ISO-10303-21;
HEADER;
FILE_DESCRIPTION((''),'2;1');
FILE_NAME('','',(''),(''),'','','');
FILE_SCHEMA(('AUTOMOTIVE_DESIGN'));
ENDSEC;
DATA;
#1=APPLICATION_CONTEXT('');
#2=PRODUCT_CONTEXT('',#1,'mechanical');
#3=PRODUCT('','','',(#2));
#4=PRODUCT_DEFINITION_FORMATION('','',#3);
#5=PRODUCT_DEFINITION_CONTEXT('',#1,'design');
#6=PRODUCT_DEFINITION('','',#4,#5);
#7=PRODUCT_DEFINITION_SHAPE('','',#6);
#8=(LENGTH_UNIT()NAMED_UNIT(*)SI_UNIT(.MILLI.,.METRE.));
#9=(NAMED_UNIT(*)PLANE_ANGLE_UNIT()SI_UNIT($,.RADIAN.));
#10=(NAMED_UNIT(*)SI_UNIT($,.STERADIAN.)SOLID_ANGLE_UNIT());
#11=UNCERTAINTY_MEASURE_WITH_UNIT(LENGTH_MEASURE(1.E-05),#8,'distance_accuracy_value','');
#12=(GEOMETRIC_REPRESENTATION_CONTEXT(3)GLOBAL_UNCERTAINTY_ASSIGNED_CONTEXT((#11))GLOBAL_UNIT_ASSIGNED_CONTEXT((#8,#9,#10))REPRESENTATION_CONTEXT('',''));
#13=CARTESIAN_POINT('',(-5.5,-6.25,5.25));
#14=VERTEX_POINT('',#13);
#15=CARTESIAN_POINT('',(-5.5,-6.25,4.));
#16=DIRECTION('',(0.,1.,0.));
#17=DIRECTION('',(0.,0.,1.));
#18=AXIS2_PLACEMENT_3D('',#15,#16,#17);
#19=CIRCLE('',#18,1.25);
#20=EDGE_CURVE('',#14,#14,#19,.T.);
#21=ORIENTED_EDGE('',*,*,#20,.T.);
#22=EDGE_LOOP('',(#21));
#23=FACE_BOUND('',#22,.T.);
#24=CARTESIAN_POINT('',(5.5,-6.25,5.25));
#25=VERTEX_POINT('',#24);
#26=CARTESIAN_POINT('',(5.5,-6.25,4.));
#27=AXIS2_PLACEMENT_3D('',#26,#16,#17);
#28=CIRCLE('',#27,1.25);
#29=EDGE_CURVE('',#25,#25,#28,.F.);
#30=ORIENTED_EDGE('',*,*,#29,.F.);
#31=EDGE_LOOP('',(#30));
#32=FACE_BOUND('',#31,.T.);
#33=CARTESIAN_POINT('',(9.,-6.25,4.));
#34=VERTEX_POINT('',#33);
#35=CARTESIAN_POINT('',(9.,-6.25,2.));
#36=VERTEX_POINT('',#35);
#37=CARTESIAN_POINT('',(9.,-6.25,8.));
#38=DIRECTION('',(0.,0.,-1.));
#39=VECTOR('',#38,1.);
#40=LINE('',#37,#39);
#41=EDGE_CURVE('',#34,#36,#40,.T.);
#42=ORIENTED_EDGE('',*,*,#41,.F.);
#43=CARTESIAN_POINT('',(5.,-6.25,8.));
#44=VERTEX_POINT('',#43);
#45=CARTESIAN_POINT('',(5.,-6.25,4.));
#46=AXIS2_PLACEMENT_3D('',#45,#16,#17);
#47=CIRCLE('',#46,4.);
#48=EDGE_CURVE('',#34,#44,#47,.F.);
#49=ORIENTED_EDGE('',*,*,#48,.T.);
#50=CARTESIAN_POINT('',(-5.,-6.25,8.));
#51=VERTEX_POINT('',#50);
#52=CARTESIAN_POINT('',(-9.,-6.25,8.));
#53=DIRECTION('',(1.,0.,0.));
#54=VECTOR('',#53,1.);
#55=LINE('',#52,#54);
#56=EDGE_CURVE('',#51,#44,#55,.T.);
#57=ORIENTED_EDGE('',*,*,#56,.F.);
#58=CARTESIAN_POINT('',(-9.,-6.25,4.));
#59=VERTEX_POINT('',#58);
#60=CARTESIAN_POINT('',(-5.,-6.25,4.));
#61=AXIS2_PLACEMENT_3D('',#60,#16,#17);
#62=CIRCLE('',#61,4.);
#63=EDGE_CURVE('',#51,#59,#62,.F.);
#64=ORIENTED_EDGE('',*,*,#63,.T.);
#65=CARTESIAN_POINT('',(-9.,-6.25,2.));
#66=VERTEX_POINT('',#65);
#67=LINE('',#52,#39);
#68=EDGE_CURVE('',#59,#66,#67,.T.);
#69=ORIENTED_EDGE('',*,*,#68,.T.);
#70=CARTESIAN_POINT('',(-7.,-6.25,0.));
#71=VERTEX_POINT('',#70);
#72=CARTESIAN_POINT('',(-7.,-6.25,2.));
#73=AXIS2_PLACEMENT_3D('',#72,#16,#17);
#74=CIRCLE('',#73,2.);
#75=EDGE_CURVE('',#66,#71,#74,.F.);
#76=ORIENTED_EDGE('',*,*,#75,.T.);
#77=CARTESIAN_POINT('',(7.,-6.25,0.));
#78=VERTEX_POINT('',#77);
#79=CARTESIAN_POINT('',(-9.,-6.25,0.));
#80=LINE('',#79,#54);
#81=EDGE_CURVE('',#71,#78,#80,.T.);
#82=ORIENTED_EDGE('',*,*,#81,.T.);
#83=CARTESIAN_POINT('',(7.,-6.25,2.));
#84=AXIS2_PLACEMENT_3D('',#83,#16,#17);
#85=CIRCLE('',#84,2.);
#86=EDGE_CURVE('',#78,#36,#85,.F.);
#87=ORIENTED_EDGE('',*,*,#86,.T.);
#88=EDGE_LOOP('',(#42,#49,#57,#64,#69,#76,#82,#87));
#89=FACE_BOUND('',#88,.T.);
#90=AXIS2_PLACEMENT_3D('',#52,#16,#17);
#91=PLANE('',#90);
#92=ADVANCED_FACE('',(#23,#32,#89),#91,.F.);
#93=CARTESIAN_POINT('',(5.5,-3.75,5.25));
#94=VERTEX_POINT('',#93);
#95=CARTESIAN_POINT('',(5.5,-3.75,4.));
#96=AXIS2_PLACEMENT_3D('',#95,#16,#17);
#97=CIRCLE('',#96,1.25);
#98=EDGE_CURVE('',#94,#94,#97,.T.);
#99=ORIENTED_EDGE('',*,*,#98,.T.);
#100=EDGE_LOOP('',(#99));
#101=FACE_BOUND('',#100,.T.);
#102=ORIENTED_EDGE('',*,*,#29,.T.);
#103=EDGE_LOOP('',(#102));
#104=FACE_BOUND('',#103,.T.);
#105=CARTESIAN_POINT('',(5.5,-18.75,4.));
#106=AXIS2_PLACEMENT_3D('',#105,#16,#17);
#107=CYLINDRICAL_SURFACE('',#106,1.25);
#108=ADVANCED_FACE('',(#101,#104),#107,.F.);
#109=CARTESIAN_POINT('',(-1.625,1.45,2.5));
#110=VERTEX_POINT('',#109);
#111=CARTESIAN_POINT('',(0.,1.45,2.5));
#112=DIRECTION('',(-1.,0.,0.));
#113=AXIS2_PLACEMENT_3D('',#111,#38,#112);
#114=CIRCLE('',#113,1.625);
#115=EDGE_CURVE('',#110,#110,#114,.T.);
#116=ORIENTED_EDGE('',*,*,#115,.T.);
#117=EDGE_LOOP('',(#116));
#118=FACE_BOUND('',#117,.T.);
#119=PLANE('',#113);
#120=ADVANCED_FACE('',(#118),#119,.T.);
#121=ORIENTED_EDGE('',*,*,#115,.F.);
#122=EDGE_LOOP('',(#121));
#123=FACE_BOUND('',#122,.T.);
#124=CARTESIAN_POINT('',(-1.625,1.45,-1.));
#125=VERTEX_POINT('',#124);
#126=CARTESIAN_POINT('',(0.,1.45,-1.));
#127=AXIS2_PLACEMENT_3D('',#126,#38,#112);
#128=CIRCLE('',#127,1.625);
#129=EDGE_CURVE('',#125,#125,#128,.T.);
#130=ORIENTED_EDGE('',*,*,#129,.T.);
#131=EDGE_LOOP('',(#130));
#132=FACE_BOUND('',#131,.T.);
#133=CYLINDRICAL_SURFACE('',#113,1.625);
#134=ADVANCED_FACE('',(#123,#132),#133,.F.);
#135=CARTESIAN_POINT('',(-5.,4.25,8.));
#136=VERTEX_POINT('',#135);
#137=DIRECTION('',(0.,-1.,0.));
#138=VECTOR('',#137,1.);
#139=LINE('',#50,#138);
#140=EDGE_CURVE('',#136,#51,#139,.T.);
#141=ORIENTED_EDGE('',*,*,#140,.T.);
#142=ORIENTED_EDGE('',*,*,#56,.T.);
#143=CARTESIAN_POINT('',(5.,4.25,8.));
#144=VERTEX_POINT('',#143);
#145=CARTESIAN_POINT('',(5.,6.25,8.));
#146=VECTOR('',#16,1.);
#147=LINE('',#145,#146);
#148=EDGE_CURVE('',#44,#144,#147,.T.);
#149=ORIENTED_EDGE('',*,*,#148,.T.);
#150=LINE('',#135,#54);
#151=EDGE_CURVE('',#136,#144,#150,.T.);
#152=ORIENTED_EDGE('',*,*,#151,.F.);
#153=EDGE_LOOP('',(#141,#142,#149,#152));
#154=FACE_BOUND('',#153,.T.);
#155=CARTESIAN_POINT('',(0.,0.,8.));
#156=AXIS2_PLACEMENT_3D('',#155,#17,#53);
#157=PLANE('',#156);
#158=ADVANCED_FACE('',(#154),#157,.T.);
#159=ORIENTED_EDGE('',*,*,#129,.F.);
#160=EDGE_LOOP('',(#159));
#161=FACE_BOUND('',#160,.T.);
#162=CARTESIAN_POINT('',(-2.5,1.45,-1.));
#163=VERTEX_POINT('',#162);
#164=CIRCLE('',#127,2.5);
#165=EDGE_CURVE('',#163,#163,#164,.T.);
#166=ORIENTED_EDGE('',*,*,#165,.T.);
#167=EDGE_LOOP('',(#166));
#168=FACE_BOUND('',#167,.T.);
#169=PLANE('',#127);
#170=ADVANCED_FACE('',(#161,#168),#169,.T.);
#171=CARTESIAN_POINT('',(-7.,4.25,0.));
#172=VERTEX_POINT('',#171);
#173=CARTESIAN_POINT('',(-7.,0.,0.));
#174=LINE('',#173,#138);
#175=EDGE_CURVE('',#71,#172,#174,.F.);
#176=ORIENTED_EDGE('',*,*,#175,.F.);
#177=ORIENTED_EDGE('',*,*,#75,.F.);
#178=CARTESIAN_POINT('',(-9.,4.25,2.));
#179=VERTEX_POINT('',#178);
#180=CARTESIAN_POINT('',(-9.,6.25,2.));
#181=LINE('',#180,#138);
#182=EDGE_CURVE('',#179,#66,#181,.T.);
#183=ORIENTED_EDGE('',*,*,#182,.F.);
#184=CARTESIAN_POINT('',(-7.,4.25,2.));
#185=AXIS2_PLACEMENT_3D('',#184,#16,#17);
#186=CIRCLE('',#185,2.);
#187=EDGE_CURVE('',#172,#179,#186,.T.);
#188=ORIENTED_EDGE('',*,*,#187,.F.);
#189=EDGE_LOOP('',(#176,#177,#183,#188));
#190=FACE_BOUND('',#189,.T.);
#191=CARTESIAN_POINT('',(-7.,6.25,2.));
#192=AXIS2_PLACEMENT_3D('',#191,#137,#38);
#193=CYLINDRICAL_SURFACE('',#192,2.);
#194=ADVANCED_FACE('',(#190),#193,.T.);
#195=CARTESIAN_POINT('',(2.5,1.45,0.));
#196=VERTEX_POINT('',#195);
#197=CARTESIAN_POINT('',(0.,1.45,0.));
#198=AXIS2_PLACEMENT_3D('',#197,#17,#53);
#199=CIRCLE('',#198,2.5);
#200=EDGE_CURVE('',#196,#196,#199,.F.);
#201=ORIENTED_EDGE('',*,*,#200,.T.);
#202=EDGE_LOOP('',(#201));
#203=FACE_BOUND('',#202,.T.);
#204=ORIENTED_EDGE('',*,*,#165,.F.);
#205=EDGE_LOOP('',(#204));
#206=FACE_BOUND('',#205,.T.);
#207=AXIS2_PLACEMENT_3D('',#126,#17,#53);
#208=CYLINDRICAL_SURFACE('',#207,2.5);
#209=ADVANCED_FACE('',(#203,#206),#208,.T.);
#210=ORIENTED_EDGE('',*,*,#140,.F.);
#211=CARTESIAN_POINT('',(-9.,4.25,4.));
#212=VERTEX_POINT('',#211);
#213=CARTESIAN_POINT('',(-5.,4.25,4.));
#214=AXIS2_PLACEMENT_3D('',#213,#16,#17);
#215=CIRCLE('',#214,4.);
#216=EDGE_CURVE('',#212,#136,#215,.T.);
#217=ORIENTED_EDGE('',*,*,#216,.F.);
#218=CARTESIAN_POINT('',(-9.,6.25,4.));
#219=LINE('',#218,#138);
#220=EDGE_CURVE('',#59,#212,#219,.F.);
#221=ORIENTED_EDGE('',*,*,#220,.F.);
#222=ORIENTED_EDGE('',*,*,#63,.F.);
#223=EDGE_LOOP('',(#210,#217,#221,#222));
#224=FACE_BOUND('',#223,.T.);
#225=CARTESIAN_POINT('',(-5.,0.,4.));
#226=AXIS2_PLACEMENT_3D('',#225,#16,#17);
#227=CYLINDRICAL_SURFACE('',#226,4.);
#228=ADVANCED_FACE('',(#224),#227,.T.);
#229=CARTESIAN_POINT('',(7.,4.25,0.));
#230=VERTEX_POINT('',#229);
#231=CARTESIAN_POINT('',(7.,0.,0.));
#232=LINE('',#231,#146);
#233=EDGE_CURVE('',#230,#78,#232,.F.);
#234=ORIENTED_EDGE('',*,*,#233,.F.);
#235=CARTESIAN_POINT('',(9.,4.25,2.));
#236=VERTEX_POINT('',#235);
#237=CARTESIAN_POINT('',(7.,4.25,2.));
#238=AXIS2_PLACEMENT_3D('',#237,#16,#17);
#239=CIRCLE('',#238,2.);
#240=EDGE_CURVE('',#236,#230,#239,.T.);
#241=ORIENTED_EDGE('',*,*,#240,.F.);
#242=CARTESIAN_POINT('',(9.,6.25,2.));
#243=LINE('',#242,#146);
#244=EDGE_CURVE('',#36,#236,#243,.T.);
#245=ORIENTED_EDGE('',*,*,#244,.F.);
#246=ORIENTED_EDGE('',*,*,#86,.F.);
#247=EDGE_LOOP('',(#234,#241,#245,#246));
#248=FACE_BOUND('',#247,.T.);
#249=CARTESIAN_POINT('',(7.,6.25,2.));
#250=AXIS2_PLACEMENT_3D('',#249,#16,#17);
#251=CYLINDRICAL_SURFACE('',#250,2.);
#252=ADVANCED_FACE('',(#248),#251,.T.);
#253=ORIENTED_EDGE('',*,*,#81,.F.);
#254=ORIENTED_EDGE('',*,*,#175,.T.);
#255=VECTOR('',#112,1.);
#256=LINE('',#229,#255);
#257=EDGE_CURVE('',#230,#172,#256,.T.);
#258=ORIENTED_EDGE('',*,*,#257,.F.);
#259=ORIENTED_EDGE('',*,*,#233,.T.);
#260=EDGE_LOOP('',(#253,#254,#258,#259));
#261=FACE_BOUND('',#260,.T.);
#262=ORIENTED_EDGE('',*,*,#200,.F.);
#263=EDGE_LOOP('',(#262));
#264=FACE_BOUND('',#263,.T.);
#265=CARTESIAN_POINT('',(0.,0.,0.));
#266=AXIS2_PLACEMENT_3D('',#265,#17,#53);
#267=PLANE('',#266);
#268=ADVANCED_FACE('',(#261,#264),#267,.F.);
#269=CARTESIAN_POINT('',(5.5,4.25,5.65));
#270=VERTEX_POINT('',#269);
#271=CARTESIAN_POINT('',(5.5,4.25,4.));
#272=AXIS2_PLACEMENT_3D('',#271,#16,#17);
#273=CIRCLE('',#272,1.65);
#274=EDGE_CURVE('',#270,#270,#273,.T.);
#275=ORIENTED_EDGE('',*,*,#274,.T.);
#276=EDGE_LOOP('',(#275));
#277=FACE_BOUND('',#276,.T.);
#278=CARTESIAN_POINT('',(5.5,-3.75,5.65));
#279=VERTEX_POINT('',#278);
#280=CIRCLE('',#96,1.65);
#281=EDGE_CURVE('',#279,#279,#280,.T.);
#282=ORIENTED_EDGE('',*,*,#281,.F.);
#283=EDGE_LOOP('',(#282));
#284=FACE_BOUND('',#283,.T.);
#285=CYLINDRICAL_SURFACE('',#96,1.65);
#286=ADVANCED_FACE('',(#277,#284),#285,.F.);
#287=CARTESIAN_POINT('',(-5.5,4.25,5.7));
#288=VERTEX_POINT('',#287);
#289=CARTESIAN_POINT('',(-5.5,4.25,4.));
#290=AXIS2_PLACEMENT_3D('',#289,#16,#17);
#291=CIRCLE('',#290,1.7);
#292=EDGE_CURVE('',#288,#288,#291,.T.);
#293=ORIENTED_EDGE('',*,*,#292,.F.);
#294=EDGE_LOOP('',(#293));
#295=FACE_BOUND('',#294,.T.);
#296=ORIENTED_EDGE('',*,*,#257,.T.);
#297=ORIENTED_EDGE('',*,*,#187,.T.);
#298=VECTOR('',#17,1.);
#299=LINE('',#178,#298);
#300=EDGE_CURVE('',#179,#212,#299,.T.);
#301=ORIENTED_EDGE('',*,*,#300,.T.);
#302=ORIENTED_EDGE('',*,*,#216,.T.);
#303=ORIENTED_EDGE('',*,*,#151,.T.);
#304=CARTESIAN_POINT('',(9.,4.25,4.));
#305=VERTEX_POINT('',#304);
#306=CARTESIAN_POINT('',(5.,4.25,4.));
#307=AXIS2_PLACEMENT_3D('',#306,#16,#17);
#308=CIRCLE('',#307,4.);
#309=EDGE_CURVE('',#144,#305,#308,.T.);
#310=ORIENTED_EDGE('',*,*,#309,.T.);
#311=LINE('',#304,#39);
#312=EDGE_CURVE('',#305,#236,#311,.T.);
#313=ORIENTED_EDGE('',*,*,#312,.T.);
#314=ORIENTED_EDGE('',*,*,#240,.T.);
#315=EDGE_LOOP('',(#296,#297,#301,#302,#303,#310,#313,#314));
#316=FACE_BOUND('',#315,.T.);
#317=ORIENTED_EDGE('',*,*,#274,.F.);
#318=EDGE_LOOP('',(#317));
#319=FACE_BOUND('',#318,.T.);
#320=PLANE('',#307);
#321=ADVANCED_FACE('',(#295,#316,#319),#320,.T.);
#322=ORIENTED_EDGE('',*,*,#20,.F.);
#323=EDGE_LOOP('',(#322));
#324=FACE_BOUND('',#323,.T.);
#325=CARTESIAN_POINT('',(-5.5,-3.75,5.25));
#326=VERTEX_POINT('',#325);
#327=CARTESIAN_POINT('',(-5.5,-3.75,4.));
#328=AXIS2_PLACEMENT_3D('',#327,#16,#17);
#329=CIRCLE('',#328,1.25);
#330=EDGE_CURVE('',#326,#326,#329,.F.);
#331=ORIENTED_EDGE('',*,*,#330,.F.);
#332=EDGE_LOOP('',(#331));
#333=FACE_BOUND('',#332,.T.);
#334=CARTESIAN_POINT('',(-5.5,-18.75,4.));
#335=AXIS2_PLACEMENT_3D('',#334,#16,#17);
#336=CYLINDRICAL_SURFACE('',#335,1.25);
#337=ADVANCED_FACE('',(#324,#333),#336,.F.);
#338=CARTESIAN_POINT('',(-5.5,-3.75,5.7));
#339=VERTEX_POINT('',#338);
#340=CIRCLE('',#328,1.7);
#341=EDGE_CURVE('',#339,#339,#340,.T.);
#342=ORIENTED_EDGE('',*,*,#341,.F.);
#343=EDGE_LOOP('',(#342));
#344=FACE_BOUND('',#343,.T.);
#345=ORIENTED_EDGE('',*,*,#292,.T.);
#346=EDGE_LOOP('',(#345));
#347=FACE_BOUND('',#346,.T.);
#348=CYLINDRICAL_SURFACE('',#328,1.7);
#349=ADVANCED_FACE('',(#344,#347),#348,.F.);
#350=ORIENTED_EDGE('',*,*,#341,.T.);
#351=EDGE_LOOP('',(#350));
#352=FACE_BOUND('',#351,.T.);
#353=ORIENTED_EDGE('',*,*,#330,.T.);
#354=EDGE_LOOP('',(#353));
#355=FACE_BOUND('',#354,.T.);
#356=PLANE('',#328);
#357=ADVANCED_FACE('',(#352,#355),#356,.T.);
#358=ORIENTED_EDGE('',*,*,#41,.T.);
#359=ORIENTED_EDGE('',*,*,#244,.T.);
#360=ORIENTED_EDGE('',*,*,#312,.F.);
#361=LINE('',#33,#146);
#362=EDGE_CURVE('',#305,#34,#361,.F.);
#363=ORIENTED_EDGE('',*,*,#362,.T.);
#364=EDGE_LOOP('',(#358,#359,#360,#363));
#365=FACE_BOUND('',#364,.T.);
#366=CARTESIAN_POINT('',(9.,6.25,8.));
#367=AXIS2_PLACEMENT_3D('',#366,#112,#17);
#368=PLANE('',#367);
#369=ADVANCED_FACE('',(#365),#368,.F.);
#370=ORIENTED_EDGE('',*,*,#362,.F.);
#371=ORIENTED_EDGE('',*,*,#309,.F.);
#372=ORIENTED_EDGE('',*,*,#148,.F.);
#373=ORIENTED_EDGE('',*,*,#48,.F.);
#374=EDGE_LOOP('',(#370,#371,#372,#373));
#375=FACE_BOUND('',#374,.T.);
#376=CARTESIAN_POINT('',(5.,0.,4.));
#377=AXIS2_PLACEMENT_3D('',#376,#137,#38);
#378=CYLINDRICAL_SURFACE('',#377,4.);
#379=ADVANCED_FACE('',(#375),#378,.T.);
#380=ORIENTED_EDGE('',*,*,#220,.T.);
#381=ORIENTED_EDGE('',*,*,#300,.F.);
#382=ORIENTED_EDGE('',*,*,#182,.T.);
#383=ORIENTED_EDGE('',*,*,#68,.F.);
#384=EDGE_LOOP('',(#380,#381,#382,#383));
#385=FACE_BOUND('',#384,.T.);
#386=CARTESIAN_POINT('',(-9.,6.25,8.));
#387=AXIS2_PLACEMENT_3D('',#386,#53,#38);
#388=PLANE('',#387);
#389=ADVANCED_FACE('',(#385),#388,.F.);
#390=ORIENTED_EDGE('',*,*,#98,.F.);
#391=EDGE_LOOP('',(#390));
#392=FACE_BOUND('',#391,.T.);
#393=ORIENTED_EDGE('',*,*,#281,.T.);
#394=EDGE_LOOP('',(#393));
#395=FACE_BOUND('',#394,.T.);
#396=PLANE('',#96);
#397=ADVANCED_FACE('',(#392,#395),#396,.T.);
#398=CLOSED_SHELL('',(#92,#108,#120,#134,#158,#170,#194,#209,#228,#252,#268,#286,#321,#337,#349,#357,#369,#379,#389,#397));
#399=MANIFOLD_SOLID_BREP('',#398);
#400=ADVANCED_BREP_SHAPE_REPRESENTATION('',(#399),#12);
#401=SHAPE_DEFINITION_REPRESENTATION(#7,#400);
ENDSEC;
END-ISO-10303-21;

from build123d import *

# Parameters (mm, degrees)
SKETCH_1_W          = 18
SKETCH_1_H          = 12.5
EXTRUDE_1_DEPTH     = 8
SKETCH_2_R          = 1.625
CUT_EXTRUDE_1_DEPTH = 2.5
EXTRUDE_START       = 1
SKETCH_3_R          = 2.5
SKETCH_3_R_2        = 1.625
EXTRUDE_2_DEPTH     = 1
SKETCH_4_R          = 1.25
CUT_EXTRUDE_2_DEPTH = 25
FILLET_1_R          = 4
FILLET_2_R          = 2
CUT_EXTRUDE_3_DEPTH = 2
SKETCH_6_R          = 1.65
SKETCH_6_R_2        = 1.7
CUT_EXTRUDE_4_DEPTH = 8


with BuildPart() as part:
    # 草图1 → 凸台-拉伸1 (new body)
    with BuildSketch(Plane.XY):
        Rectangle(SKETCH_1_W, SKETCH_1_H)
    extrude(amount=EXTRUDE_1_DEPTH)

    # 草图2 → 切除-拉伸1 (cut, symmetric)
    with BuildSketch(Plane(origin=(0, 0, 0), x_dir=(-1, 0, 0), z_dir=(0, 0, -1))):
        with Locations((0, 1.45)):
            Circle(SKETCH_2_R)
    extrude(amount=CUT_EXTRUDE_1_DEPTH, both=True, mode=Mode.SUBTRACT)

    # 草图3 → 凸台-拉伸2 (add)
    with BuildSketch(Plane(origin=(0, 0, 0), x_dir=(-1, 0, 0), z_dir=(0, 0, -1)).offset(EXTRUDE_START)):
        with Locations(Location((0, 1.45, 0), (0, 0, 180))):
            Circle(SKETCH_3_R)
        with Locations((0, 1.45)):
            Circle(SKETCH_3_R_2, mode=Mode.SUBTRACT)
    extrude(amount=-EXTRUDE_2_DEPTH)

    # 草图4 → 切除-拉伸2 (cut)
    with BuildSketch(Plane(origin=(0, 6.25, 0), x_dir=(1, 0, 0), z_dir=(0, 1, 0))):
        with Locations(Location((-5.5, -4, 0), (0, 0, 270))):
            Circle(SKETCH_4_R)
    cut_extrude_2 = extrude(amount=-CUT_EXTRUDE_2_DEPTH, mode=Mode.SUBTRACT)

    # 镜向1: 切除-拉伸2 across plane
    add(cut_extrude_2.mirror(Plane(origin=(0, 0, 0), x_dir=(0, 0, 1), z_dir=(1, 0, 0))), mode=Mode.SUBTRACT)

    # 圆角1
    fillet_1_edges = [part.edges().sort_by_distance(p)[0] for p in [
        (-9, 0, 8),
        (9, 0, 8),
    ]]
    fillet(fillet_1_edges, radius=FILLET_1_R)

    # 圆角2
    fillet_2_edges = [part.edges().sort_by_distance(p)[0] for p in [
        (-9, 0, 0),
        (9, 0, 0),
    ]]
    fillet(fillet_2_edges, radius=FILLET_2_R)

    # 草图5 → 切除-拉伸3 (cut)
    with BuildSketch(Plane(origin=(0, 6.25, 0), x_dir=(1, 0, 0), z_dir=(0, 1, 0))):
        with BuildLine():
            Line((7, 0), (-7, 0))
            ThreePointArc((-7, 0), (-8.414213562, -0.585786438), (-9, -2))
            Line((-9, -2), (-9, -4))
            ThreePointArc((-9, -4), (-7.828427125, -6.828427125), (-5, -8))
            Line((-5, -8), (5, -8))
            ThreePointArc((5, -8), (7.828427125, -6.828427125), (9, -4))
            Line((9, -4), (9, -2))
            ThreePointArc((9, -2), (8.414213562, -0.585786438), (7, 0))
        make_face()
    extrude(amount=-CUT_EXTRUDE_3_DEPTH, mode=Mode.SUBTRACT)

    # 草图6 → 切除-拉伸4 (cut)
    with BuildSketch(Plane(origin=(0, 4.25, 0), x_dir=(1, 0, 0), z_dir=(0, 1, 0))):
        with Locations(Location((5.5, -4, 0), (0, 0, 270))):
            Circle(SKETCH_6_R)
        with Locations(Location((-5.5, -4, 0), (0, 0, 270))):
            Circle(SKETCH_6_R_2)
    extrude(amount=-CUT_EXTRUDE_4_DEPTH, mode=Mode.SUBTRACT)


solid = part.part
